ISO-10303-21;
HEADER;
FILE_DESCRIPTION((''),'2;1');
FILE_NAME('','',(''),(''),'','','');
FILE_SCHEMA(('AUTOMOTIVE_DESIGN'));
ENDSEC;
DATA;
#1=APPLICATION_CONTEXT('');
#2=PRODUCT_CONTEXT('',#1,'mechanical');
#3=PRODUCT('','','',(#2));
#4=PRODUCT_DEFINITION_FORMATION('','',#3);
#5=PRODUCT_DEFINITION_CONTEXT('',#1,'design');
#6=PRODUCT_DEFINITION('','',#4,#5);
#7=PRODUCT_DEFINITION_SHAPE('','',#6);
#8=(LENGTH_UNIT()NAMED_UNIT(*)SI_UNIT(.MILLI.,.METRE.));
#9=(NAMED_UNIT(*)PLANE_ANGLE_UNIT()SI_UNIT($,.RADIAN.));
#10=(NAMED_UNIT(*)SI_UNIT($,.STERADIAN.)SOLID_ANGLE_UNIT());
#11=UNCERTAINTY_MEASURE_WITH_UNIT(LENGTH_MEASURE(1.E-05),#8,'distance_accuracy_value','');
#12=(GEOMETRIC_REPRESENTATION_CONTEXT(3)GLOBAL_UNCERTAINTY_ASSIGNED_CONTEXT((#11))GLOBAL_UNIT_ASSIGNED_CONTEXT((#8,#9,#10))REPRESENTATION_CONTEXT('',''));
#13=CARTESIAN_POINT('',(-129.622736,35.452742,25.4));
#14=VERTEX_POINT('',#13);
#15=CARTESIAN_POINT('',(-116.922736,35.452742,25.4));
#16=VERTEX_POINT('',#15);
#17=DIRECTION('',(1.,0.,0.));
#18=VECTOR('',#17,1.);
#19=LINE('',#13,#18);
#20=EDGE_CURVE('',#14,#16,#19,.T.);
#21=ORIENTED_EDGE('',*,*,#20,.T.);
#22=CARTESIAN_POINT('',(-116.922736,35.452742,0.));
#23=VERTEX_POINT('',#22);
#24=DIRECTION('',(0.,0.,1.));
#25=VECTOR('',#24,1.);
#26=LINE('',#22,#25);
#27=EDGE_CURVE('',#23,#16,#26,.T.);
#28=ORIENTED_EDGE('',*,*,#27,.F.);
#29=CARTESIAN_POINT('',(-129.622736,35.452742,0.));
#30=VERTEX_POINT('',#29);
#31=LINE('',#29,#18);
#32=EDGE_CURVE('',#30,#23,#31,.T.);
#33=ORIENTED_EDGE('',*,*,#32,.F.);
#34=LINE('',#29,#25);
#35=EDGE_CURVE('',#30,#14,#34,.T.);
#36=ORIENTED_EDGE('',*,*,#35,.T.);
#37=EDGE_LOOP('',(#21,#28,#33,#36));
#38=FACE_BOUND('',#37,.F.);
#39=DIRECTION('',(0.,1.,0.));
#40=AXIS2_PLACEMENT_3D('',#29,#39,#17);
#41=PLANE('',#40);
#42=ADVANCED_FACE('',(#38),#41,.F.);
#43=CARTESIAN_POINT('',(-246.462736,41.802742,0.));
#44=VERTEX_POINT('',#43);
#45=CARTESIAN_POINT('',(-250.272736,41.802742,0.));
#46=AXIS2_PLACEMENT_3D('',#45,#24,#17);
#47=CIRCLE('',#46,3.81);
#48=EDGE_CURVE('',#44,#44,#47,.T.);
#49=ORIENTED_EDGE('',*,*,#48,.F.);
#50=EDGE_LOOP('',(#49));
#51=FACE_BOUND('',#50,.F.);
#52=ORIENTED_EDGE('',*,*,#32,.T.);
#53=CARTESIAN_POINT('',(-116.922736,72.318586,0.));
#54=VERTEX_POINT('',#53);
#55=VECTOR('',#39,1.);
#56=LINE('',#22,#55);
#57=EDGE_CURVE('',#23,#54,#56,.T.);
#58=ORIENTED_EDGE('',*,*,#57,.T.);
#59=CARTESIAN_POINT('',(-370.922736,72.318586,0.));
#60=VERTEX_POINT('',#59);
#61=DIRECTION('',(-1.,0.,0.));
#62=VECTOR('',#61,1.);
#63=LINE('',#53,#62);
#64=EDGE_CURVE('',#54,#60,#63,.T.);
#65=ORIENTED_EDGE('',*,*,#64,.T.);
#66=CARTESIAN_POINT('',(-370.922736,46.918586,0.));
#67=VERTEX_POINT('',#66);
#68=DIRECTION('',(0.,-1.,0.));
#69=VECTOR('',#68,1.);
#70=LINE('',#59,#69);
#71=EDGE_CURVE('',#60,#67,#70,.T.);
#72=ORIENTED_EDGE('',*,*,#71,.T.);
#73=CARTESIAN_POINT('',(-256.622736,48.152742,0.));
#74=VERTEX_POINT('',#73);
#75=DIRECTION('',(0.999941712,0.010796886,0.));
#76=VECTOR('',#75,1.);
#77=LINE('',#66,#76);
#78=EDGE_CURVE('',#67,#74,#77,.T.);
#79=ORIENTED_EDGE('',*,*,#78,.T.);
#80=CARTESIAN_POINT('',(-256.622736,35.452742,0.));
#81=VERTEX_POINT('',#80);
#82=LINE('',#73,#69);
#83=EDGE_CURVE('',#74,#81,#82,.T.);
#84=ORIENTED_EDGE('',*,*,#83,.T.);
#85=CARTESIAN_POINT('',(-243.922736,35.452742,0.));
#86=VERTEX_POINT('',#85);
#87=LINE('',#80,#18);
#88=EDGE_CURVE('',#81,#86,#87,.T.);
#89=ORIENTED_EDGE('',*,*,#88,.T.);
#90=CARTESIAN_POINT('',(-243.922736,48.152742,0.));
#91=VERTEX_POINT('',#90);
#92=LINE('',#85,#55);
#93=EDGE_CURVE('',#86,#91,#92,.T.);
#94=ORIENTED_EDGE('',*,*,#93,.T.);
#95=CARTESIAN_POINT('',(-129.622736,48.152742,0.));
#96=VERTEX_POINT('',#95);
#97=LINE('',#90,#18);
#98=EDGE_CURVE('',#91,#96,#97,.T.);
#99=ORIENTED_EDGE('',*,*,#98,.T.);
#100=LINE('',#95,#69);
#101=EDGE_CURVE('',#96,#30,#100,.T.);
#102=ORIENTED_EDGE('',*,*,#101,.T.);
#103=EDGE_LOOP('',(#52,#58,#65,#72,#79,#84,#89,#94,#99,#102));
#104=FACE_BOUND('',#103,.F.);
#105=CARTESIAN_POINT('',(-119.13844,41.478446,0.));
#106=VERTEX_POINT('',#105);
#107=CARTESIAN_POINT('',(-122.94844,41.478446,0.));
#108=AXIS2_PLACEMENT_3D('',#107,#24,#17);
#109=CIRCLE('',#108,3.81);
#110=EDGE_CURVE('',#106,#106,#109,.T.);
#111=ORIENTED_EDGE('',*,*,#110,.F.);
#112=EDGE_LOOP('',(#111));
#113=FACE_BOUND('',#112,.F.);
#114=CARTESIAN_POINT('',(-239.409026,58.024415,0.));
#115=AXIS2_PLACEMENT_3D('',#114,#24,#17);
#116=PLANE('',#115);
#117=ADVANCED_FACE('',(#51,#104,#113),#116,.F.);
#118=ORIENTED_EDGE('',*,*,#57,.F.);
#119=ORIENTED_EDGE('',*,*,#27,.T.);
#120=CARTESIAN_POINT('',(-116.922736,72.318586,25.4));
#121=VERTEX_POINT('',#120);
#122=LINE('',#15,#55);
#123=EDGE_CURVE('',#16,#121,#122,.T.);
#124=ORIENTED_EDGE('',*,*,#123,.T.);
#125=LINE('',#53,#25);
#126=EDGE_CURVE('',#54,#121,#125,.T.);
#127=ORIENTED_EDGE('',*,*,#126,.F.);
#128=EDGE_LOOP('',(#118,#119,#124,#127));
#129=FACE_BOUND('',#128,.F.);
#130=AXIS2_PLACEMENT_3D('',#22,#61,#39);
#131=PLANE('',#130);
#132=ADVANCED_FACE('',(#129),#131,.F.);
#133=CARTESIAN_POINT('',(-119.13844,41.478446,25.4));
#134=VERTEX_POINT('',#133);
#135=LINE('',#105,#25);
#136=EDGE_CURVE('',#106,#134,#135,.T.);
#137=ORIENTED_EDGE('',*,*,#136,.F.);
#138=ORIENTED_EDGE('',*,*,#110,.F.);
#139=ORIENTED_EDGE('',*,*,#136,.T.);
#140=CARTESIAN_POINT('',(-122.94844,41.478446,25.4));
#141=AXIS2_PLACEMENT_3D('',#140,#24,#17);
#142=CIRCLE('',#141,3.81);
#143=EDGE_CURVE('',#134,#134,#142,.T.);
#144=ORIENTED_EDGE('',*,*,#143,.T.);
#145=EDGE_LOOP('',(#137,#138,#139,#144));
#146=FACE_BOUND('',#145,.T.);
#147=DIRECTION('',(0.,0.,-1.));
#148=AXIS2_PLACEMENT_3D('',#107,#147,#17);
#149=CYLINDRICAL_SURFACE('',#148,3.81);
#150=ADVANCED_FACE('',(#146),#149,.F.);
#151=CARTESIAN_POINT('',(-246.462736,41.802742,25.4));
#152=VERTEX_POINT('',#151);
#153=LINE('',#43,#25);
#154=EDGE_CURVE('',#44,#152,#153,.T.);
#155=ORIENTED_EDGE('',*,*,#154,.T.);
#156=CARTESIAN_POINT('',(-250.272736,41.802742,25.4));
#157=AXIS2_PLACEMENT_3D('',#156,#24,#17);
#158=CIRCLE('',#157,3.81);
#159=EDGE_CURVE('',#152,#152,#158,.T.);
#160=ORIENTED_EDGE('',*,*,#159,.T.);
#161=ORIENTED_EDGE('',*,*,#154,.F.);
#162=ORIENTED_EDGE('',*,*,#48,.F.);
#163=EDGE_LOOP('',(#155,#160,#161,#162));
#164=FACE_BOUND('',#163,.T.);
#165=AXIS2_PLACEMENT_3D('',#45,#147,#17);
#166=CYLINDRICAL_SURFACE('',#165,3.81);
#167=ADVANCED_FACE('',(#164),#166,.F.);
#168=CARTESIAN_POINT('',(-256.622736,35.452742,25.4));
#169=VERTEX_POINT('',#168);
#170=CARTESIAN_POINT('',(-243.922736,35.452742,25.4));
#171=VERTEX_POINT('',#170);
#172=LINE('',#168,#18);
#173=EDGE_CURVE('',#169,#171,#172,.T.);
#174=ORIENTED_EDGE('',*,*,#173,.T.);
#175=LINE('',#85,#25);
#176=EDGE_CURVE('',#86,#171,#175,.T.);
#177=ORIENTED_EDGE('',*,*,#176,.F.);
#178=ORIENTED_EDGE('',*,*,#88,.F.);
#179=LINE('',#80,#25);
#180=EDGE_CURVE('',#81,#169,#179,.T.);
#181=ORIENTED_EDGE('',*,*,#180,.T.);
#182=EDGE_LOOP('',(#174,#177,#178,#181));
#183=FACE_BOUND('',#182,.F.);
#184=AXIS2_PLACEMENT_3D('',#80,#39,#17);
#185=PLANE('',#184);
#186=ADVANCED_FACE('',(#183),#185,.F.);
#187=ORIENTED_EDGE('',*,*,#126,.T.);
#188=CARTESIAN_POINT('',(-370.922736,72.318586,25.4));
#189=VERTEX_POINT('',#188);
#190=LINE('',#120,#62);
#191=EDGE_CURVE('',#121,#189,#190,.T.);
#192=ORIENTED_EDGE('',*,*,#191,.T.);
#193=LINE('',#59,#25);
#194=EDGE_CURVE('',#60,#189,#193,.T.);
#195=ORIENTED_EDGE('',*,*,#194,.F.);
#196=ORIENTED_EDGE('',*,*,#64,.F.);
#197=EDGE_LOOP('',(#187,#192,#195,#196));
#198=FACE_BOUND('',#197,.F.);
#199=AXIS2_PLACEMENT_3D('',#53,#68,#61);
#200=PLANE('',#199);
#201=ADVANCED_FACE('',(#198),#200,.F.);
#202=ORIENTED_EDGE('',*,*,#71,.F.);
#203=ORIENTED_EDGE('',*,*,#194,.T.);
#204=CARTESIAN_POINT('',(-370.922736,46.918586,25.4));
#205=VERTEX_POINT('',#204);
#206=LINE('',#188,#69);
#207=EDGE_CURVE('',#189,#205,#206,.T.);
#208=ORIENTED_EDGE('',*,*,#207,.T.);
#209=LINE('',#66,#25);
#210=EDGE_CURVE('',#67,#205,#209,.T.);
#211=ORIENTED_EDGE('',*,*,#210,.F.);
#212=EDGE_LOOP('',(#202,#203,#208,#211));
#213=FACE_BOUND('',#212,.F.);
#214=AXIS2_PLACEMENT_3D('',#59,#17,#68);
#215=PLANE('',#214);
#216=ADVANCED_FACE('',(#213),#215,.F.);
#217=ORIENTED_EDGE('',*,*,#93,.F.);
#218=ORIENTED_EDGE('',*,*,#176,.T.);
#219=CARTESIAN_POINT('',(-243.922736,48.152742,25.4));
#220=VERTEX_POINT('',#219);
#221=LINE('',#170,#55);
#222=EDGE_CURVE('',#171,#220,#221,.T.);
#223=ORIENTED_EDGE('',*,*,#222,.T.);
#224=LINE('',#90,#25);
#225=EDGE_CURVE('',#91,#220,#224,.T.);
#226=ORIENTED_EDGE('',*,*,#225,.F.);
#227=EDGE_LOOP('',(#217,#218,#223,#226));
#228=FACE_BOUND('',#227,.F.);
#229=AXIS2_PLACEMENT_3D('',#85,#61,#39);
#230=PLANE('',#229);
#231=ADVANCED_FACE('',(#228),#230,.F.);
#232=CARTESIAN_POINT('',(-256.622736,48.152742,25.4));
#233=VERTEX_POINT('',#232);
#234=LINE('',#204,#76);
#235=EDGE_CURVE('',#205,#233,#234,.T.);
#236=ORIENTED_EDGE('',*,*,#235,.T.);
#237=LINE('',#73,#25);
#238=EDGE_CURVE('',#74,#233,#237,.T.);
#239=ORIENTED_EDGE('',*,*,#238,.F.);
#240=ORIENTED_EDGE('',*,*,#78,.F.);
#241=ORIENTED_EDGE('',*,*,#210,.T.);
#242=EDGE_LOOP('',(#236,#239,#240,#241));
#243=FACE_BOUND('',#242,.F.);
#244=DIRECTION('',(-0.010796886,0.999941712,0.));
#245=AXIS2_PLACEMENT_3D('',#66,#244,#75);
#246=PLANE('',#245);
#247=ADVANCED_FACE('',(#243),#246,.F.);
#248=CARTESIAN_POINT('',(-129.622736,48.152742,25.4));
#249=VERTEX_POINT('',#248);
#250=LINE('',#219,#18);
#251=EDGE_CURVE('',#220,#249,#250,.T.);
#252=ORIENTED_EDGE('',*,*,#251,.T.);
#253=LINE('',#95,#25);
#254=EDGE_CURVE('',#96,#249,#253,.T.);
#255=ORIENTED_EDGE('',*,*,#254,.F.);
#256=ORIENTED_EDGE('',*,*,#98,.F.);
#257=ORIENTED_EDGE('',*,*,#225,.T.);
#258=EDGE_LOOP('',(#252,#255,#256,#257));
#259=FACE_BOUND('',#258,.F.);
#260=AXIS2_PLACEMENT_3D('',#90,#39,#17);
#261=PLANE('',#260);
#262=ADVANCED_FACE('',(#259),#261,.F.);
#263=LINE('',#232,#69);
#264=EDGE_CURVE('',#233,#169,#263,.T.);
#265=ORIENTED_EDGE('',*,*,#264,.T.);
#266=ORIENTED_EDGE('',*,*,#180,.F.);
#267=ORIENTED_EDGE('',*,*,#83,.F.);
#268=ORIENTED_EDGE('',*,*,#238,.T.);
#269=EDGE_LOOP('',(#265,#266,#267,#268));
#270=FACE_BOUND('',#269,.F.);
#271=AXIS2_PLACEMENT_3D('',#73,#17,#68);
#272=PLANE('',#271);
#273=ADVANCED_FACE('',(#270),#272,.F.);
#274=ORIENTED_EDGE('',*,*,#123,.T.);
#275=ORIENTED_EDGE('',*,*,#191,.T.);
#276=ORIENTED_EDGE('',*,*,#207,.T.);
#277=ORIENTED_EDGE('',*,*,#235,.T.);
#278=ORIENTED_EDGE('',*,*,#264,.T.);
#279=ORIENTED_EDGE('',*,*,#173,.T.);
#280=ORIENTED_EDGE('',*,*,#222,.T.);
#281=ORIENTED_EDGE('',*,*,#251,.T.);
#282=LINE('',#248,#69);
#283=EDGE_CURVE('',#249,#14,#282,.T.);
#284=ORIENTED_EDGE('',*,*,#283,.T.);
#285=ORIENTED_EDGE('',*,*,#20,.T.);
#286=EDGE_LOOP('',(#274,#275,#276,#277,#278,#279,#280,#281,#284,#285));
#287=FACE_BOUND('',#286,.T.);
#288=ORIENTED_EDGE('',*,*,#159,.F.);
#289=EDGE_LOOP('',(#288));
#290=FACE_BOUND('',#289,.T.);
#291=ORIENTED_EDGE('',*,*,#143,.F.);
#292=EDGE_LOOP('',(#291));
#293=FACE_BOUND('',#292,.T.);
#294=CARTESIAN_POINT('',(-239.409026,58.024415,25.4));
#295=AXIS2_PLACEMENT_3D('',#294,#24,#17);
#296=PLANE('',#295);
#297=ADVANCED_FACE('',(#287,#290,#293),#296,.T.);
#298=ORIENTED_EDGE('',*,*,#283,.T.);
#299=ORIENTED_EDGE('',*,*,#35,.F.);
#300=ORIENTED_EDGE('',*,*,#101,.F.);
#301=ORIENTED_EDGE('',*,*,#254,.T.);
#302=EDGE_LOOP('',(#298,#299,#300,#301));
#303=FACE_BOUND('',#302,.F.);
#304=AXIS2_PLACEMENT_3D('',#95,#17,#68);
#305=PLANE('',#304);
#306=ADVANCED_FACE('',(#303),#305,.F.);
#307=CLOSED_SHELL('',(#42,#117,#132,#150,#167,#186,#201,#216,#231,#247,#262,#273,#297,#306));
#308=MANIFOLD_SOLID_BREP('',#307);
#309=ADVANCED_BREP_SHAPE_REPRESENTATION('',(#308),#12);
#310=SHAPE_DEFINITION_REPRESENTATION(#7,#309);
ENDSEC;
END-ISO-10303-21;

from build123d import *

# Parameters (mm, degrees)
F0_R     = 3.81
F1_DEPTH = 25.4


with BuildPart() as f1:
    # F0 (on Top) → F1 (new body)
    with BuildSketch(Plane.XY):
        Polygon((-116.922736, 72.318586), (-370.922736, 72.318586), (-370.922736, 46.918586), (-256.622736, 48.152742), (-256.622736, 35.452742), (-243.922736, 35.452742), (-243.922736, 48.152742), (-129.622736, 48.152742), (-129.622736, 35.452742), (-116.922736, 35.452742), (-116.922736, 46.918586), align=None)
        with Locations((-250.272736, 41.802742)):
            Circle(F0_R, mode=Mode.SUBTRACT)
        with Locations((-122.94844, 41.478446)):
            Circle(F0_R, mode=Mode.SUBTRACT)
    extrude(amount=F1_DEPTH)


solid = f1.part
